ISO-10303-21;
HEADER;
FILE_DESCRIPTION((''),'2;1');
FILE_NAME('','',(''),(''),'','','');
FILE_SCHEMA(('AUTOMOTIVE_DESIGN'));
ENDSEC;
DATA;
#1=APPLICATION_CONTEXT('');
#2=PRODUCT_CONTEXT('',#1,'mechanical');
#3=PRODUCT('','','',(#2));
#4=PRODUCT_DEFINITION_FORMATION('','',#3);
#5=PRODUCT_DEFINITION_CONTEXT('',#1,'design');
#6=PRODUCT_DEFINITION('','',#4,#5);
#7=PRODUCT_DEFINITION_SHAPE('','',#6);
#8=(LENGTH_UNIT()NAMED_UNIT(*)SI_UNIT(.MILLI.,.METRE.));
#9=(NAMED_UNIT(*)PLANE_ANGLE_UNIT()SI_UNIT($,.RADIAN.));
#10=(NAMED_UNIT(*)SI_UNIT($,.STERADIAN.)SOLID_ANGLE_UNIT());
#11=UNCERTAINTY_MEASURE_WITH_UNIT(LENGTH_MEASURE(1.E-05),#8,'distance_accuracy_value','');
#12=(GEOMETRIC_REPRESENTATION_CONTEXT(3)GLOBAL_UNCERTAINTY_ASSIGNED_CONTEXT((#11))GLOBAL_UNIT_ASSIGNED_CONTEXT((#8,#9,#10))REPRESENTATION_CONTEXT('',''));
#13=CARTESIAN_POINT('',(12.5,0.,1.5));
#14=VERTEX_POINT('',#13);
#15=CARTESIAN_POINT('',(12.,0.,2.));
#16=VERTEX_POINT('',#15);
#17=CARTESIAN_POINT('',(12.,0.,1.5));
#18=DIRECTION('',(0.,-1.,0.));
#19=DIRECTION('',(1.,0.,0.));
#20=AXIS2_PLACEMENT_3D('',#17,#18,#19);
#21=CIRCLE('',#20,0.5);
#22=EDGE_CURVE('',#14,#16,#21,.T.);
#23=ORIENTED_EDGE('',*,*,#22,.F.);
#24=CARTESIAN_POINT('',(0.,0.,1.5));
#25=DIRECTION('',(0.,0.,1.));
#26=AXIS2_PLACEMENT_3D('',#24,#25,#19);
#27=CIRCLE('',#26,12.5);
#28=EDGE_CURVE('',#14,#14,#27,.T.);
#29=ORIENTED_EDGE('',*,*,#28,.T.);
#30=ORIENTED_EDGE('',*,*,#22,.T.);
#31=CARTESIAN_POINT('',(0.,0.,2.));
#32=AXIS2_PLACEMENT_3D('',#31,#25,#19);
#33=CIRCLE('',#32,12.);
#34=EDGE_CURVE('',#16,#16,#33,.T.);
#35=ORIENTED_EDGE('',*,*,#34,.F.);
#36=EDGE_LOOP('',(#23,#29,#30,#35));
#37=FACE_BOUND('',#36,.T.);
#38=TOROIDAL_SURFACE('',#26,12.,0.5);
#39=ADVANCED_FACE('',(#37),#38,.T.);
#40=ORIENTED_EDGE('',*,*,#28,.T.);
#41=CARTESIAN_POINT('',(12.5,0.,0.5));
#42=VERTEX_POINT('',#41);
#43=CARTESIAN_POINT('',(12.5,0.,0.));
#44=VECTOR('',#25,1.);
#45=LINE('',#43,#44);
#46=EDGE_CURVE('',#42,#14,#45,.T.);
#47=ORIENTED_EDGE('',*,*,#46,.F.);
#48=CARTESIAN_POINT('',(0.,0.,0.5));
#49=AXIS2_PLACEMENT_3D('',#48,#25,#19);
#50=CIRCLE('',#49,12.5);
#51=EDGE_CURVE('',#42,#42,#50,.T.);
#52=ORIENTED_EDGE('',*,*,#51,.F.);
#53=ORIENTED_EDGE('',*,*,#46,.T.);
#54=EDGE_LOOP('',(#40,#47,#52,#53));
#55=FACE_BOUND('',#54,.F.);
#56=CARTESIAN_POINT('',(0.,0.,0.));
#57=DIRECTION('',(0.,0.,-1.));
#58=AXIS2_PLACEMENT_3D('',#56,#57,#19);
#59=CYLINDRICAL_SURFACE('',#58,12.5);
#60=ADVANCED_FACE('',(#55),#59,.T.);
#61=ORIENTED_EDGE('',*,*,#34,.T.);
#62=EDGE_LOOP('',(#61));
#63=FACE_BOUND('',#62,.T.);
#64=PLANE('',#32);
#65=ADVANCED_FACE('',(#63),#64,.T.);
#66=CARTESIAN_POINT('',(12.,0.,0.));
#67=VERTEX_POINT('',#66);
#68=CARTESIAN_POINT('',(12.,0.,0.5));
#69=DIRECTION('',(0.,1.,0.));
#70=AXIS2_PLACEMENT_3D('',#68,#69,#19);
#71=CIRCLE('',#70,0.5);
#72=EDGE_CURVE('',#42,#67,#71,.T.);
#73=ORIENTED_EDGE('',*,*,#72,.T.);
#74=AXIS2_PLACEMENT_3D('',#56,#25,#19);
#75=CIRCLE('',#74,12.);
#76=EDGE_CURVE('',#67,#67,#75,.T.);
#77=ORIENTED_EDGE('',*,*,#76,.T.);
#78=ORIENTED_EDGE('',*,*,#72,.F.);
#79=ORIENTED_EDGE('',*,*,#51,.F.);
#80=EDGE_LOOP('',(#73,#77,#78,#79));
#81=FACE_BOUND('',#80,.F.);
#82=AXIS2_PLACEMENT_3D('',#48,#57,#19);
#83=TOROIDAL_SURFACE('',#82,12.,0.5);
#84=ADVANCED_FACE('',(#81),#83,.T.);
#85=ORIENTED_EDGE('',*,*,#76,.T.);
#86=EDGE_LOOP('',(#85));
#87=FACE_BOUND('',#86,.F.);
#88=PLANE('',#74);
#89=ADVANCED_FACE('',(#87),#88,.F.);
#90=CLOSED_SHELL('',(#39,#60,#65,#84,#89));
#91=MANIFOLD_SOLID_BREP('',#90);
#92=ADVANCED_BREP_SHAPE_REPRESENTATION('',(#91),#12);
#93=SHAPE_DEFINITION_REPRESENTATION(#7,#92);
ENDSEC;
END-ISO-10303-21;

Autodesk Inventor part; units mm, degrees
ref_plane "YZ Plane" through (0, 0, 0) normal (1, 0, 0) x (0, 1, 0)
ref_plane "XZ Plane" through (0, 0, 0) normal (0, 1, 0) x (-1, 0, 0)
ref_plane "XY Plane" through (0, 0, 0) normal (0, 0, 1) x (1, 0, 0)
sketch "Sketch1" plane through (0, 0, 0) normal (0, 0, 1) x (1, 0, 0)
  circle A0 centre (0, 0) radius 12.5
  dimension "d0" = 25
extrude "Extrusion1" add sketch "Sketch1" along normal blind 2
fillet "Fillet1" radius 0.5 2 edges at (-12.5, 0, 2) (-12.5, 0, 0)
properties part number "GoldPlatedCopperMirror" material "Copper"
